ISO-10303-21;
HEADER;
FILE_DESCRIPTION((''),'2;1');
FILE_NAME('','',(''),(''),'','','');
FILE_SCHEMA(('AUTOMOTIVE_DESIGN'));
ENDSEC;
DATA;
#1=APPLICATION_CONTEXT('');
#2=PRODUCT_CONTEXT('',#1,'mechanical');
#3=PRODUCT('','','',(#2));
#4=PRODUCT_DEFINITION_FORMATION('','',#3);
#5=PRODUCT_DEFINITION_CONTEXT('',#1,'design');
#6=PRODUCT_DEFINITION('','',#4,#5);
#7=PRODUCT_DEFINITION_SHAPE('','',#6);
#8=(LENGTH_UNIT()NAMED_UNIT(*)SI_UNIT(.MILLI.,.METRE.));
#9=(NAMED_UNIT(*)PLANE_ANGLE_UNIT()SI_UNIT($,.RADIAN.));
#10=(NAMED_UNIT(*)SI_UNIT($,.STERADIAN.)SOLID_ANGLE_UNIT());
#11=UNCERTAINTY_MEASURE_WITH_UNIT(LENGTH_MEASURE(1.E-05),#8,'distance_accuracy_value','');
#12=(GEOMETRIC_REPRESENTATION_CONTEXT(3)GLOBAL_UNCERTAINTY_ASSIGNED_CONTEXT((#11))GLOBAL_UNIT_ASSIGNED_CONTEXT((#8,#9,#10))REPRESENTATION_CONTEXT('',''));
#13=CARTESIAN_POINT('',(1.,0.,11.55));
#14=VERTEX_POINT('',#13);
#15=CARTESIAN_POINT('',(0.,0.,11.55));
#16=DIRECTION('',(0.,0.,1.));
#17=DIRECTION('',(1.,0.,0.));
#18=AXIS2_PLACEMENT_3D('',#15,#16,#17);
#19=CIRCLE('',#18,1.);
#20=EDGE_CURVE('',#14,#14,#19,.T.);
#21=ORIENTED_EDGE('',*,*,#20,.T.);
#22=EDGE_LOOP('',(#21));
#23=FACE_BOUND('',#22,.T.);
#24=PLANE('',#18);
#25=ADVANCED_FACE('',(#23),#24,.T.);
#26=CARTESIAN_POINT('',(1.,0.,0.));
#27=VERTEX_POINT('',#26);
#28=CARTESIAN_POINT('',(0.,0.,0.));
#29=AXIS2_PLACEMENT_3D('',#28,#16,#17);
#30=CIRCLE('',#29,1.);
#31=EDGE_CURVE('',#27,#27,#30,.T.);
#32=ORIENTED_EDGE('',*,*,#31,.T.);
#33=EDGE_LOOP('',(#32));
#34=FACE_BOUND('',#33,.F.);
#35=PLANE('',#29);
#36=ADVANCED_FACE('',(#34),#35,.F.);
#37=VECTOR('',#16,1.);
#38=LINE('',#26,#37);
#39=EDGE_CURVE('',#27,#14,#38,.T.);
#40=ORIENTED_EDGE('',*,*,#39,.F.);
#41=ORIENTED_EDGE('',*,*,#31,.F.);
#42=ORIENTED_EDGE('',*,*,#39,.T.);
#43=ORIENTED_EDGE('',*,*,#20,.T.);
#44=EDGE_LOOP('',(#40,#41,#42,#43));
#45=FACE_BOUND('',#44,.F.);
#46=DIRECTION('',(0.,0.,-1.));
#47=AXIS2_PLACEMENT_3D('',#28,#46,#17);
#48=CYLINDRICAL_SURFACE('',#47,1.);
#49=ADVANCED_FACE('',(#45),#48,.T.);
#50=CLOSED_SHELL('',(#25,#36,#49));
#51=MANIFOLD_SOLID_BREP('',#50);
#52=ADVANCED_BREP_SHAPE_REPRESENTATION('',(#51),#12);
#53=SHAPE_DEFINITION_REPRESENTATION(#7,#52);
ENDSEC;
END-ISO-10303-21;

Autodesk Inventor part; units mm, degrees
ref_plane "YZ Plane" through (0, 0, 0) normal (1, 0, 0) x (0, 1, 0)
ref_plane "XZ Plane" through (0, 0, 0) normal (0, 1, 0) x (-1, 0, 0)
ref_plane "XY Plane" through (0, 0, 0) normal (0, 0, 1) x (1, 0, 0)
sketch "Sketch1" plane through (0, 0, 0) normal (0, 0, 1) x (1, 0, 0)
  circle A0 centre (0, 0) radius 1
  dimension "d0" = 2
extrude "Extrusion1" add sketch "Sketch1" along normal blind 11.55
properties part number "DCMotorShaft"
